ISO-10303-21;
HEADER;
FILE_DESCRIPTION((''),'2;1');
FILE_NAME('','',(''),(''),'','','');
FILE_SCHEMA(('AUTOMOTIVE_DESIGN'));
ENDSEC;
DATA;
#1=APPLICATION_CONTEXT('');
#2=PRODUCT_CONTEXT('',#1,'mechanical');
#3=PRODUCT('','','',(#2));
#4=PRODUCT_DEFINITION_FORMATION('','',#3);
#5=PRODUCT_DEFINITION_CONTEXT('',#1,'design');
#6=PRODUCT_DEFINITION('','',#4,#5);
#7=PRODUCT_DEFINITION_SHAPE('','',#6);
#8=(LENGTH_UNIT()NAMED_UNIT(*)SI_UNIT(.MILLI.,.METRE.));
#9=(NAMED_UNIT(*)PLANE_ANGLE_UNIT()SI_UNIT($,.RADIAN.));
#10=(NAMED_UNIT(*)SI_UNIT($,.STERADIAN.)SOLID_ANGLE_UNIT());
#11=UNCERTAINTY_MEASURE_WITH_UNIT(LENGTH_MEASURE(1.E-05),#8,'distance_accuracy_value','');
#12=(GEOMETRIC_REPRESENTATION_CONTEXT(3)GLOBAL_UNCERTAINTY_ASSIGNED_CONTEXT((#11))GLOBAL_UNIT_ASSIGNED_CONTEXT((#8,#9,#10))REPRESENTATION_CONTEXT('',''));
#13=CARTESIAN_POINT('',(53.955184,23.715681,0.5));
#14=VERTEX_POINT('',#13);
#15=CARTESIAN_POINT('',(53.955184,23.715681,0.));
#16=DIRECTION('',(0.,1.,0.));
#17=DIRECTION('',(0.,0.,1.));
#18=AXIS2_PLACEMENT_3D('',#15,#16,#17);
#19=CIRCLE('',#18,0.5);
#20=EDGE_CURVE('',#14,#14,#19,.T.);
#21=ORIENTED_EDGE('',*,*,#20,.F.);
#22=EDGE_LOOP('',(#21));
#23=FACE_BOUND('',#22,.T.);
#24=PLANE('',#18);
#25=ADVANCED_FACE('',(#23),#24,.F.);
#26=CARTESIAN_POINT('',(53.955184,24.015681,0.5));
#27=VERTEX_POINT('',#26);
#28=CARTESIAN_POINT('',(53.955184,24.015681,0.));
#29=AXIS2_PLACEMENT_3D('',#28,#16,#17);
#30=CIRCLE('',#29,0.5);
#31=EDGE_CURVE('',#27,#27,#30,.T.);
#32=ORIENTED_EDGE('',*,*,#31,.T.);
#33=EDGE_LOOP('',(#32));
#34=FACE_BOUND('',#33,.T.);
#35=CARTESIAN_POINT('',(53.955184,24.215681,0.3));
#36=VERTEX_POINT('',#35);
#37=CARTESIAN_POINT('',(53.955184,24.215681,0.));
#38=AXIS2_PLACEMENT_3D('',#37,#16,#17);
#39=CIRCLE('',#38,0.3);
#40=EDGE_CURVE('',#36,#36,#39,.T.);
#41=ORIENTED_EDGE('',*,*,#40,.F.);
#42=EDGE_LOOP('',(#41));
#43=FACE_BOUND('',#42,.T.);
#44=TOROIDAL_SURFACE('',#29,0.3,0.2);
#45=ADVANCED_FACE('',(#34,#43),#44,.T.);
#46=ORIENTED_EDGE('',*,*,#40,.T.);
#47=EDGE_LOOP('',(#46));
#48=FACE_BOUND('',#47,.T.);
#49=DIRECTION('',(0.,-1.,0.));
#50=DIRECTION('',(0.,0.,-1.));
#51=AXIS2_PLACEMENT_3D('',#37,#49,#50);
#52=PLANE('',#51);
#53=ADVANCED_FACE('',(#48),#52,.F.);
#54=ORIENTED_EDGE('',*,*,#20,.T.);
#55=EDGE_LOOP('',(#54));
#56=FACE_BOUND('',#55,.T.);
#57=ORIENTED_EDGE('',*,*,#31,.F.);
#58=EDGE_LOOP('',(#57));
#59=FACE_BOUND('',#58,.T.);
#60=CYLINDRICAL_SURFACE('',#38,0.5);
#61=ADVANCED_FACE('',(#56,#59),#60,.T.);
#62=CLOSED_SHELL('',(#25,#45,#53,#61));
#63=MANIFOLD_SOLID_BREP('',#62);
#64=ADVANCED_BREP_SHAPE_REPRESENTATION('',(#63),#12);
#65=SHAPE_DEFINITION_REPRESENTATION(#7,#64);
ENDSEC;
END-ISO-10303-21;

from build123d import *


with BuildPart() as part:
    # Sketch1 → Revolve1 (revolve)
    with BuildSketch(Plane.XY, mode=Mode.PRIVATE) as revolve1_sk:
        with BuildLine():
            Line((53.955184415, 23.715680633), (54.455184415, 23.715680633))
            Line((54.455184415, 23.715680633), (54.455184415, 24.015680633))
            ThreePointArc((54.455184415, 24.015680633), (54.396605771, 24.157101989), (54.255184415, 24.215680633))
            Line((54.255184415, 24.215680633), (53.955184415, 24.215680633))
            Line((53.955184415, 24.215680633), (53.955184415, 23.715680633))
        make_face()
    revolve(revolve1_sk.sketch.rotate(Axis((53.955184415, 24.215680633, 0), (0, -1, 0)), 90), axis=Axis((53.955184415, 24.215680633, 0), (0, -1, 0)))


solid = part.part
